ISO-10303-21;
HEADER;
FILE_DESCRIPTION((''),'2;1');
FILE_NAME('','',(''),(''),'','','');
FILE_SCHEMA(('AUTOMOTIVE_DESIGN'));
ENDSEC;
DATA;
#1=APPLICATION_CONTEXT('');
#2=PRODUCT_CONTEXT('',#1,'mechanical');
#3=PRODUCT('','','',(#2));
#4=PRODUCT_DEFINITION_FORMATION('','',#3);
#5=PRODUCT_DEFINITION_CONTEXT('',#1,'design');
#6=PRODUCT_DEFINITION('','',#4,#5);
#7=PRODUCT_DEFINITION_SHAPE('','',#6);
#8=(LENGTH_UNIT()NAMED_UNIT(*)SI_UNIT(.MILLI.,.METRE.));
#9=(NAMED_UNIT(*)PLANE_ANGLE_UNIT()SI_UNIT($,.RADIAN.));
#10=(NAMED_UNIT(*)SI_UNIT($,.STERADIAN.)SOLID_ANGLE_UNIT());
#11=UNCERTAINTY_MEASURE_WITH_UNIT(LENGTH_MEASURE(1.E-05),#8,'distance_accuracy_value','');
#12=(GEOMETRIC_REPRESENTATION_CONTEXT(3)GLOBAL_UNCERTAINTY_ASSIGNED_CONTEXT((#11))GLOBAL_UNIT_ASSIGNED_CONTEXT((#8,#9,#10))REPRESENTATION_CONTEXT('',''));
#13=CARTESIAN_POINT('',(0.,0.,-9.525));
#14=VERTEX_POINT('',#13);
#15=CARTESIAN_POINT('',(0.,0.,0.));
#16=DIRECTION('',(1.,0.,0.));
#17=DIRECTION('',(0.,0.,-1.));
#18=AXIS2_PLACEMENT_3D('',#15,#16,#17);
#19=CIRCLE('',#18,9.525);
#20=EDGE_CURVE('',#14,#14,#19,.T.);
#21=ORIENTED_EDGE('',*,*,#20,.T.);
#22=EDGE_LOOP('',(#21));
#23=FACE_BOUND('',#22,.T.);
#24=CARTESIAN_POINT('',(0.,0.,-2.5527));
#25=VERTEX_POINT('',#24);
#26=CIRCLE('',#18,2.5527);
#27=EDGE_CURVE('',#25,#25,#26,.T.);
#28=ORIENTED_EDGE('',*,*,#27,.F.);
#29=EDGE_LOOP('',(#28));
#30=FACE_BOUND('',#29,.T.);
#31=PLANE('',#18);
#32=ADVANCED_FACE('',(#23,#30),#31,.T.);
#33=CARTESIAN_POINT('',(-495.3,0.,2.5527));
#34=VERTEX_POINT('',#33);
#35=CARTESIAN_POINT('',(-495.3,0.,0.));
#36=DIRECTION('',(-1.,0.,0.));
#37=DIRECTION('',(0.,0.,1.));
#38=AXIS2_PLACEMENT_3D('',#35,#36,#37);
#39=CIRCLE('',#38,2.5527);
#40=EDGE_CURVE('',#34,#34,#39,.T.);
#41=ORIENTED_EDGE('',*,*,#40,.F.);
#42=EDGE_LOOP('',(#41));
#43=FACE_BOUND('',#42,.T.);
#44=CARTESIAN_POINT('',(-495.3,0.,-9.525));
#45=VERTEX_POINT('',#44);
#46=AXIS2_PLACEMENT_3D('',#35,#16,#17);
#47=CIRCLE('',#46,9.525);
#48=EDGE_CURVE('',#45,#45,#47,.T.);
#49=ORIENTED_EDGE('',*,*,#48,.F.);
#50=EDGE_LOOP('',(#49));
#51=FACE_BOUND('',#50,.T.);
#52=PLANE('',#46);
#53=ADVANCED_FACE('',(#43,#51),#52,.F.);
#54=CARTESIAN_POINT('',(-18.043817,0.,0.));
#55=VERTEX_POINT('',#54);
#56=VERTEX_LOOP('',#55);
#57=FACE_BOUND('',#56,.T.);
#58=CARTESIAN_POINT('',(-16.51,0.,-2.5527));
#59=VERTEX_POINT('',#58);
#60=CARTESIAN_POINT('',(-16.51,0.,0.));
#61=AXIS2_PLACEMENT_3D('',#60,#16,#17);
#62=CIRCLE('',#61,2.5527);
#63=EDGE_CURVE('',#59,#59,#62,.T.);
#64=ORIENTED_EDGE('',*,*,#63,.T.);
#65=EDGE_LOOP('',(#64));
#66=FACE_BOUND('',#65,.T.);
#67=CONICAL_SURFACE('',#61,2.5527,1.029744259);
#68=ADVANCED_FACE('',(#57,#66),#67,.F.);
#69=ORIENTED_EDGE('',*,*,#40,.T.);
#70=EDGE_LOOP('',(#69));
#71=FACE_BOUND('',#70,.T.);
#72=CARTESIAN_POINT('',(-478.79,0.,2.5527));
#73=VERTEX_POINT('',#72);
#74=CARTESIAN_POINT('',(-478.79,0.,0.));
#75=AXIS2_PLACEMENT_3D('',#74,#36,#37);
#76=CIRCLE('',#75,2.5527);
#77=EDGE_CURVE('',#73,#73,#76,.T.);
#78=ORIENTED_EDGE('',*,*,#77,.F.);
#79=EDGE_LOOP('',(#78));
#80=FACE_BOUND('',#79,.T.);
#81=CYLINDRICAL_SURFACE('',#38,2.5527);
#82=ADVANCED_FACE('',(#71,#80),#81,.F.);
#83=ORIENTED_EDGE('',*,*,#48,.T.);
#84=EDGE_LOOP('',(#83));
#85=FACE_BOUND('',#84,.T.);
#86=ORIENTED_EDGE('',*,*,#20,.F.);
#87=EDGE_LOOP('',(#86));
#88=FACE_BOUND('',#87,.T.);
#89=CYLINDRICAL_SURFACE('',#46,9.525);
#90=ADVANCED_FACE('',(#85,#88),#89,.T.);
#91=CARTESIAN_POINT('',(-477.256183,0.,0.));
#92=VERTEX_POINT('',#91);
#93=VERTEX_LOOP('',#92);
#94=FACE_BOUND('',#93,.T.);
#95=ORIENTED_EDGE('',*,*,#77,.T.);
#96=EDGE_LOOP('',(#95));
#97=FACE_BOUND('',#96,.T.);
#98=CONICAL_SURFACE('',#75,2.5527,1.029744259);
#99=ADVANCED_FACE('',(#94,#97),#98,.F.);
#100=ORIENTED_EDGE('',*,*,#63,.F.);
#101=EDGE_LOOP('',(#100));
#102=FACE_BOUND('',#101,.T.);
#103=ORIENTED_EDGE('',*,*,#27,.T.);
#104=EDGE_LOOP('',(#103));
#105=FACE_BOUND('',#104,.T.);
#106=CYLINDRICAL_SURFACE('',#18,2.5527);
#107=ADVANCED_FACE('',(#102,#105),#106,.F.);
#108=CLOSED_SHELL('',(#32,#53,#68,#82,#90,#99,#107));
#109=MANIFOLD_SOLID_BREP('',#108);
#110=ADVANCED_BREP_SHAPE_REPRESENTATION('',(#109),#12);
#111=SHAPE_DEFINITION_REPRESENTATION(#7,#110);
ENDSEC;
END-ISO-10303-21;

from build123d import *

# Parameters (mm, degrees)
SKETCH1_R                   = 9.525
BOSS_EXTRUDE1_DEPTH         = 495.3
F_1_4_20_TAPPED_HOLE1_D     = 5.1054
F_1_4_20_TAPPED_HOLE1_DEPTH = 16.51
F_1_4_20_TAPPED_HOLE1_TIP   = 1.533816902
F_1_4_20_TAPPED_HOLE2_D     = 5.1054
F_1_4_20_TAPPED_HOLE2_DEPTH = 16.51
F_1_4_20_TAPPED_HOLE2_TIP   = 1.533816902


with BuildPart() as part:
    # Sketch1 → Boss-Extrude1 (new body)
    with BuildSketch(Plane(origin=(0, 0, 0), x_dir=(0, 0, -1), z_dir=(1, 0, 0))):
        Circle(SKETCH1_R)
    extrude(amount=-BOSS_EXTRUDE1_DEPTH)

    # 1/4-20 Tapped Hole1
    with Locations(Plane(origin=(0, 0, 0), x_dir=(0, 0, -1), z_dir=(1, 0, 0))):
        with Locations((0, 0)):
            Hole(F_1_4_20_TAPPED_HOLE1_D / 2, depth=F_1_4_20_TAPPED_HOLE1_DEPTH)
            with Locations((0, 0, -(F_1_4_20_TAPPED_HOLE1_DEPTH + F_1_4_20_TAPPED_HOLE1_TIP / 2))):  # 118° drill point
                Cone(0, F_1_4_20_TAPPED_HOLE1_D / 2, F_1_4_20_TAPPED_HOLE1_TIP, mode=Mode.SUBTRACT)

    # 1/4-20 Tapped Hole2
    with Locations(Plane.ZY.offset(495.3)):
        with Locations((0, 0)):
            Hole(F_1_4_20_TAPPED_HOLE2_D / 2, depth=F_1_4_20_TAPPED_HOLE2_DEPTH)
            with Locations((0, 0, -(F_1_4_20_TAPPED_HOLE2_DEPTH + F_1_4_20_TAPPED_HOLE2_TIP / 2))):  # 118° drill point
                Cone(0, F_1_4_20_TAPPED_HOLE2_D / 2, F_1_4_20_TAPPED_HOLE2_TIP, mode=Mode.SUBTRACT)


solid = part.part
